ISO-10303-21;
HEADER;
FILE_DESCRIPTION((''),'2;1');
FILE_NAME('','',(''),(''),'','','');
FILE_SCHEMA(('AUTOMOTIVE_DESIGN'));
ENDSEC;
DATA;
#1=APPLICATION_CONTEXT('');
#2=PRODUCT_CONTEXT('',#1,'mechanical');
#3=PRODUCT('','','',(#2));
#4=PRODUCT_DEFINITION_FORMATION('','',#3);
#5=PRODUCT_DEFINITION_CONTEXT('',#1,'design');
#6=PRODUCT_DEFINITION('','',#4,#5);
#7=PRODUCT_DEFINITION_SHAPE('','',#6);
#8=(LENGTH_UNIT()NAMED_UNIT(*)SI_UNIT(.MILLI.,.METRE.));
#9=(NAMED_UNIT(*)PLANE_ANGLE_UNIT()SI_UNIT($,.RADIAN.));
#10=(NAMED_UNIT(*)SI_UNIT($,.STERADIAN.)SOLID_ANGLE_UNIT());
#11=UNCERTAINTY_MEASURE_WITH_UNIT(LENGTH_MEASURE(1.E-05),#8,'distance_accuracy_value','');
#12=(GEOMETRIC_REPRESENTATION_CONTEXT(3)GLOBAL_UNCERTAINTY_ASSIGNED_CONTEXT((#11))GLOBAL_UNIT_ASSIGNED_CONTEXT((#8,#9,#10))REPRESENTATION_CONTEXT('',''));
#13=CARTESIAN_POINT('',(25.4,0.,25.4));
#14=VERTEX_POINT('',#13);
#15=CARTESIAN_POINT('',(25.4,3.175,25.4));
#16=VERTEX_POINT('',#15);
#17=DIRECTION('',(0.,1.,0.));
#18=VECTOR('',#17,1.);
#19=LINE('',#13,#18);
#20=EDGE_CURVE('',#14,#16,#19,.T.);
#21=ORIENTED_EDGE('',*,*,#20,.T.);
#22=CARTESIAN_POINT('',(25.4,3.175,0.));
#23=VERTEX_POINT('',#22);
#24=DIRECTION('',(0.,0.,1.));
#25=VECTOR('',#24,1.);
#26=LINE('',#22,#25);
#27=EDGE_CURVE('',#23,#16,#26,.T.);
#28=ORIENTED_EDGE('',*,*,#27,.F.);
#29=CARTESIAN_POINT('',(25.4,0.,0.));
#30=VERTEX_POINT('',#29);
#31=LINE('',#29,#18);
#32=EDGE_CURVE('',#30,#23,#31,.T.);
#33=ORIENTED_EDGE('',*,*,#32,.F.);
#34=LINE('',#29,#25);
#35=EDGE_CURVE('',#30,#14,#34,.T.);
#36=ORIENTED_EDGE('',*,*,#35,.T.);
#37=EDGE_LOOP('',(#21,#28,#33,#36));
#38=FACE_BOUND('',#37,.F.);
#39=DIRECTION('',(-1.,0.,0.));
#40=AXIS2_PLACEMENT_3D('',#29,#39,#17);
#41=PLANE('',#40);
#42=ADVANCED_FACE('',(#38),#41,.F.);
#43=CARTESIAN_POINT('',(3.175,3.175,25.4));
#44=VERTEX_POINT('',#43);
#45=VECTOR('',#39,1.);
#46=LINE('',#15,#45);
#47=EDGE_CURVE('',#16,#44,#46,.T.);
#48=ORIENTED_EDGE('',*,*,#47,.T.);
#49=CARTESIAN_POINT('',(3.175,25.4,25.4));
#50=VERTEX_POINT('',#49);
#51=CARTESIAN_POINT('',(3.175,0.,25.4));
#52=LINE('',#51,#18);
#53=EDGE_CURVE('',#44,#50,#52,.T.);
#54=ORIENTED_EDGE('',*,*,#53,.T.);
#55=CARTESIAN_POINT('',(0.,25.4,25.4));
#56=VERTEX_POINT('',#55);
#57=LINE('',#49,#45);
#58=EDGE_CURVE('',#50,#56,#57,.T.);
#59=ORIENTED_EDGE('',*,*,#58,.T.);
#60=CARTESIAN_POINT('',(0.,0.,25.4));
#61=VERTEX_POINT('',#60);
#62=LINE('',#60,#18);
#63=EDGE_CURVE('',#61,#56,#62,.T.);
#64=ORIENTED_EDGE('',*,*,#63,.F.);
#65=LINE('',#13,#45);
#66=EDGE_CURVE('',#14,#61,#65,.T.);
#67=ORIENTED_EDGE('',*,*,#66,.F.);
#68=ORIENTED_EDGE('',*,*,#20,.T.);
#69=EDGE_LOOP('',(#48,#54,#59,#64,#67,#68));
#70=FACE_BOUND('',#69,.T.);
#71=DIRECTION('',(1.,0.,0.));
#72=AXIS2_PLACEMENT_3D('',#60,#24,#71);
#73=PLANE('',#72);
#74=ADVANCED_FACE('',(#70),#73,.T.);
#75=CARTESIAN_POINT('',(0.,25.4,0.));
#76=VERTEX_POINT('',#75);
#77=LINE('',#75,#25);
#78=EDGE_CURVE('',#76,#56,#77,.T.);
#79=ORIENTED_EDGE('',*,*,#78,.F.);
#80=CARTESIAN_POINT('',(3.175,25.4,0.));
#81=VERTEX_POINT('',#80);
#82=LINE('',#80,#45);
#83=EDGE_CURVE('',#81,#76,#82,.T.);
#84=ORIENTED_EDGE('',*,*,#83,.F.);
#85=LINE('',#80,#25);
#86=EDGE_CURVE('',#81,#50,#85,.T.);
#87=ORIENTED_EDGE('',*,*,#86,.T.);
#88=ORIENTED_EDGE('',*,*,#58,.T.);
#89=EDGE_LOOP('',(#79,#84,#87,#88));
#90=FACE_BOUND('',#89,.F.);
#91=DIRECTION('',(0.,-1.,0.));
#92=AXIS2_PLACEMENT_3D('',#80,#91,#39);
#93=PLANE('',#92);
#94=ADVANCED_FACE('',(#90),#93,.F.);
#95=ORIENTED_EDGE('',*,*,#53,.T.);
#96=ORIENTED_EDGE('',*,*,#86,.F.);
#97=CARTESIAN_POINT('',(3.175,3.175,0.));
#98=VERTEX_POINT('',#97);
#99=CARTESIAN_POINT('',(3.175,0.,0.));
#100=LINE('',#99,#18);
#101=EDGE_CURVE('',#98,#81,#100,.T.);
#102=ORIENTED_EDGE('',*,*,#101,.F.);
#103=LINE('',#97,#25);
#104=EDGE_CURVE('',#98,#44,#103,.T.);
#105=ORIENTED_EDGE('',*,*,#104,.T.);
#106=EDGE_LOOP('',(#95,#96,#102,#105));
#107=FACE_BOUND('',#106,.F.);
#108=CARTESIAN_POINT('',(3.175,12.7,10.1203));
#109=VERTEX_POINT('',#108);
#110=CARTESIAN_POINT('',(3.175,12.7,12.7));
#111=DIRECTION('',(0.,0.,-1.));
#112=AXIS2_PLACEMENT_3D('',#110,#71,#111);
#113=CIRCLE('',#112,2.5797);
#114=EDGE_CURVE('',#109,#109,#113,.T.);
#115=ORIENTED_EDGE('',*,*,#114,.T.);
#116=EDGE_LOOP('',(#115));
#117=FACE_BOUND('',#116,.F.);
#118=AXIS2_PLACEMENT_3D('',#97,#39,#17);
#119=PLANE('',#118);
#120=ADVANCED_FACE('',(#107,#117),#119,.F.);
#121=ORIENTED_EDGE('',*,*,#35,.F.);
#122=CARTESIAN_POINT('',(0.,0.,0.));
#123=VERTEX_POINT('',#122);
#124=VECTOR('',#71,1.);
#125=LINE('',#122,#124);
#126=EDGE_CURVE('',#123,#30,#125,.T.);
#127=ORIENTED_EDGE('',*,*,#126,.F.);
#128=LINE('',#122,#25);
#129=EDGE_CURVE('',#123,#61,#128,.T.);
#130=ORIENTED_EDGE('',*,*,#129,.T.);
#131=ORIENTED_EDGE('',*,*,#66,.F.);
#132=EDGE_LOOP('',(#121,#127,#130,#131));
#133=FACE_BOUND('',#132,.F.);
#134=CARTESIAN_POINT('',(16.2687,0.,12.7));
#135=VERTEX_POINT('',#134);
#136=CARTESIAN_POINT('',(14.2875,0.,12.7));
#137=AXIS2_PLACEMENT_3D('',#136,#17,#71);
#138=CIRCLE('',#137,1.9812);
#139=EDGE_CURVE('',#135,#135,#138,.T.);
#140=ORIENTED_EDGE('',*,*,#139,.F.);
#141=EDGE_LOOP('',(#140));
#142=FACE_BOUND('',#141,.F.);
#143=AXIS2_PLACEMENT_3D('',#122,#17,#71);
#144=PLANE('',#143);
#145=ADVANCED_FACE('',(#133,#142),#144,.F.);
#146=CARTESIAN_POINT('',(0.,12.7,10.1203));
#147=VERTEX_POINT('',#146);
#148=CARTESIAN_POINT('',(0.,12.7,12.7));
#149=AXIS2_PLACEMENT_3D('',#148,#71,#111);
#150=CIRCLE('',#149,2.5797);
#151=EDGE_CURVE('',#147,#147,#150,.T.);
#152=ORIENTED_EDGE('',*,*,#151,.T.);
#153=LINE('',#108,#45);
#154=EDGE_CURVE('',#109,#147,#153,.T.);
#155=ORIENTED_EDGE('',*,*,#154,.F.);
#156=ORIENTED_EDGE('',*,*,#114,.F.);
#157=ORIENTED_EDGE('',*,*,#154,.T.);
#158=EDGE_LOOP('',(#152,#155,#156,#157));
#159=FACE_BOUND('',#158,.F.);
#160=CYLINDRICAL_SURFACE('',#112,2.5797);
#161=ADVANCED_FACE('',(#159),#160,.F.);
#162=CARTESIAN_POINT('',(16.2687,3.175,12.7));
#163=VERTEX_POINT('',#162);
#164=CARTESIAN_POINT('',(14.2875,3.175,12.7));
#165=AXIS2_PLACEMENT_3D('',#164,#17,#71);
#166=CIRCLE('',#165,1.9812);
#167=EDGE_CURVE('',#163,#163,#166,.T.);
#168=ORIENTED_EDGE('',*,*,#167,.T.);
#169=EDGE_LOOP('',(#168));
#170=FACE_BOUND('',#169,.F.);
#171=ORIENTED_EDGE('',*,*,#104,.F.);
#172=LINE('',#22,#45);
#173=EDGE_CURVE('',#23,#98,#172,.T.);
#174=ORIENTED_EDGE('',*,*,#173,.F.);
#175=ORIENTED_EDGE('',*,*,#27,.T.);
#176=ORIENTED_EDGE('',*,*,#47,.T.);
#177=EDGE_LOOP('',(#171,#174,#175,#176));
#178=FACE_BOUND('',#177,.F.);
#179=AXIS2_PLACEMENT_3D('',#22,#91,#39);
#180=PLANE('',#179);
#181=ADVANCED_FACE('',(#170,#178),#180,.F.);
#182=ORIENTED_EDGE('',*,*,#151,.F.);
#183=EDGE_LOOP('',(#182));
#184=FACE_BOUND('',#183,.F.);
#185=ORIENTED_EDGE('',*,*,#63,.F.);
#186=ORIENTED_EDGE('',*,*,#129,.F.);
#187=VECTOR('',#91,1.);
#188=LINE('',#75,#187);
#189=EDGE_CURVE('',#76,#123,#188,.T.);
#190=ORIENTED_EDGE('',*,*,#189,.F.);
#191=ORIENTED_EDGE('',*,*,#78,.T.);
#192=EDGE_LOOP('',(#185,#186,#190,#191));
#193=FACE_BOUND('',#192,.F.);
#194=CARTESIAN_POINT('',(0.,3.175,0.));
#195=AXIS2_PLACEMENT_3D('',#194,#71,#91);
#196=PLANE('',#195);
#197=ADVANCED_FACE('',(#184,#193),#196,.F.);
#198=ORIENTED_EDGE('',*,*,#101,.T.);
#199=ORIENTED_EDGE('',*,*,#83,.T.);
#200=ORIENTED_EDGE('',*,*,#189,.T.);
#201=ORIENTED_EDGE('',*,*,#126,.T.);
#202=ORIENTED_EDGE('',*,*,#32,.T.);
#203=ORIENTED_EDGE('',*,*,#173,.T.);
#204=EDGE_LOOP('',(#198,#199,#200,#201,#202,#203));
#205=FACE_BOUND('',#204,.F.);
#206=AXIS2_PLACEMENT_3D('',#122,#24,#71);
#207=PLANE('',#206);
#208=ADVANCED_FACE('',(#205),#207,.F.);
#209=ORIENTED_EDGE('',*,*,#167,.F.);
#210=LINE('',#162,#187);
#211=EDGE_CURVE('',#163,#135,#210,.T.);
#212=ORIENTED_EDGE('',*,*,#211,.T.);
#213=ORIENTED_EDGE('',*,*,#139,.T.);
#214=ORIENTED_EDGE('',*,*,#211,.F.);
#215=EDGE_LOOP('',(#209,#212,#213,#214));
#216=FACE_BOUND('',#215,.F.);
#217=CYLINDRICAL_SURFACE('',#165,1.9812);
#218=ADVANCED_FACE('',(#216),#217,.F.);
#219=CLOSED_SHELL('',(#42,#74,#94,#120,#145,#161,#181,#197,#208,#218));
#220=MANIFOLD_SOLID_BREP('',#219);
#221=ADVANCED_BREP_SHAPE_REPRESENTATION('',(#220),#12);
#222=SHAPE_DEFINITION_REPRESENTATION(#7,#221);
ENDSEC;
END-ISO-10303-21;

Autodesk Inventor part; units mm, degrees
ref_plane "YZ Plane" through (0, 0, 0) normal (1, 0, 0) x (0, 1, 0)
ref_plane "XZ Plane" through (0, 0, 0) normal (0, 1, 0) x (-1, 0, 0)
ref_plane "XY Plane" through (0, 0, 0) normal (0, 0, 1) x (1, 0, 0)
sketch "Sketch1" plane through (0, 0, 0) normal (0, 0, 1) x (1, 0, 0)
  line L0 (0, 0) -> (3.175, 0)
  line L1 (3.175, 0) -> (3.175, 25.4)
  line L2 (3.175, 25.4) -> (0, 25.4)
  line L3 (0, 25.4) -> (0, 0)
  line L4 (0, 0) -> (25.4, 0)
  line L5 (25.4, 0) -> (25.4, 3.175)
  line L6 (25.4, 3.175) -> (0, 3.175)
  line L7 (0, 3.175) -> (0, 0)
  dimension "d0" = 3.175
  dimension "d1" = 25.4
  dimension "d2" = 25.4
  dimension "d3" = 3.175
extrude "Extrusion1" add sketch "Sketch1" along normal blind 25.4
sketch "Sketch2" plane through (3.175, 3.175, 0) normal (0, 1, 0) x (1, 0, 0)
  line L0 (22.225, 0) -> (0, 0) construction
  line L1 (11.1125, 0) -> (11.1125, -12.7) construction
  line L2 (11.1125, 0) -> (23.8125, 0) construction
  circle A0 centre (11.1125, -12.7) radius 1.9812
  point P0 (-3.175, 0)
  dimension "d6" = 12.7
  dimension "d7" = 90
  dimension "d8" = 3.9624
extrude "Extrusion2" cut sketch "Sketch2" against normal blind 25.4
sketch "Sketch3" plane through (3.175, 3.175, 0) normal (1, 0, 0) x (0, 0, -1)
  line L0 (0, 22.225) -> (-25.4, 22.225) construction
  circle A0 centre (-12.7, 9.525) radius 2.5797
  line L1 (-12.7, 9.525) -> (-12.7, 22.225)
  point P0 (0, -3.175)
  dimension "d11" = 5.1594
  dimension "d14" = 12.7
extrude "Extrusion3" cut sketch "Sketch3" against normal blind 25.4
properties part number "L-Bracket Bumper"
